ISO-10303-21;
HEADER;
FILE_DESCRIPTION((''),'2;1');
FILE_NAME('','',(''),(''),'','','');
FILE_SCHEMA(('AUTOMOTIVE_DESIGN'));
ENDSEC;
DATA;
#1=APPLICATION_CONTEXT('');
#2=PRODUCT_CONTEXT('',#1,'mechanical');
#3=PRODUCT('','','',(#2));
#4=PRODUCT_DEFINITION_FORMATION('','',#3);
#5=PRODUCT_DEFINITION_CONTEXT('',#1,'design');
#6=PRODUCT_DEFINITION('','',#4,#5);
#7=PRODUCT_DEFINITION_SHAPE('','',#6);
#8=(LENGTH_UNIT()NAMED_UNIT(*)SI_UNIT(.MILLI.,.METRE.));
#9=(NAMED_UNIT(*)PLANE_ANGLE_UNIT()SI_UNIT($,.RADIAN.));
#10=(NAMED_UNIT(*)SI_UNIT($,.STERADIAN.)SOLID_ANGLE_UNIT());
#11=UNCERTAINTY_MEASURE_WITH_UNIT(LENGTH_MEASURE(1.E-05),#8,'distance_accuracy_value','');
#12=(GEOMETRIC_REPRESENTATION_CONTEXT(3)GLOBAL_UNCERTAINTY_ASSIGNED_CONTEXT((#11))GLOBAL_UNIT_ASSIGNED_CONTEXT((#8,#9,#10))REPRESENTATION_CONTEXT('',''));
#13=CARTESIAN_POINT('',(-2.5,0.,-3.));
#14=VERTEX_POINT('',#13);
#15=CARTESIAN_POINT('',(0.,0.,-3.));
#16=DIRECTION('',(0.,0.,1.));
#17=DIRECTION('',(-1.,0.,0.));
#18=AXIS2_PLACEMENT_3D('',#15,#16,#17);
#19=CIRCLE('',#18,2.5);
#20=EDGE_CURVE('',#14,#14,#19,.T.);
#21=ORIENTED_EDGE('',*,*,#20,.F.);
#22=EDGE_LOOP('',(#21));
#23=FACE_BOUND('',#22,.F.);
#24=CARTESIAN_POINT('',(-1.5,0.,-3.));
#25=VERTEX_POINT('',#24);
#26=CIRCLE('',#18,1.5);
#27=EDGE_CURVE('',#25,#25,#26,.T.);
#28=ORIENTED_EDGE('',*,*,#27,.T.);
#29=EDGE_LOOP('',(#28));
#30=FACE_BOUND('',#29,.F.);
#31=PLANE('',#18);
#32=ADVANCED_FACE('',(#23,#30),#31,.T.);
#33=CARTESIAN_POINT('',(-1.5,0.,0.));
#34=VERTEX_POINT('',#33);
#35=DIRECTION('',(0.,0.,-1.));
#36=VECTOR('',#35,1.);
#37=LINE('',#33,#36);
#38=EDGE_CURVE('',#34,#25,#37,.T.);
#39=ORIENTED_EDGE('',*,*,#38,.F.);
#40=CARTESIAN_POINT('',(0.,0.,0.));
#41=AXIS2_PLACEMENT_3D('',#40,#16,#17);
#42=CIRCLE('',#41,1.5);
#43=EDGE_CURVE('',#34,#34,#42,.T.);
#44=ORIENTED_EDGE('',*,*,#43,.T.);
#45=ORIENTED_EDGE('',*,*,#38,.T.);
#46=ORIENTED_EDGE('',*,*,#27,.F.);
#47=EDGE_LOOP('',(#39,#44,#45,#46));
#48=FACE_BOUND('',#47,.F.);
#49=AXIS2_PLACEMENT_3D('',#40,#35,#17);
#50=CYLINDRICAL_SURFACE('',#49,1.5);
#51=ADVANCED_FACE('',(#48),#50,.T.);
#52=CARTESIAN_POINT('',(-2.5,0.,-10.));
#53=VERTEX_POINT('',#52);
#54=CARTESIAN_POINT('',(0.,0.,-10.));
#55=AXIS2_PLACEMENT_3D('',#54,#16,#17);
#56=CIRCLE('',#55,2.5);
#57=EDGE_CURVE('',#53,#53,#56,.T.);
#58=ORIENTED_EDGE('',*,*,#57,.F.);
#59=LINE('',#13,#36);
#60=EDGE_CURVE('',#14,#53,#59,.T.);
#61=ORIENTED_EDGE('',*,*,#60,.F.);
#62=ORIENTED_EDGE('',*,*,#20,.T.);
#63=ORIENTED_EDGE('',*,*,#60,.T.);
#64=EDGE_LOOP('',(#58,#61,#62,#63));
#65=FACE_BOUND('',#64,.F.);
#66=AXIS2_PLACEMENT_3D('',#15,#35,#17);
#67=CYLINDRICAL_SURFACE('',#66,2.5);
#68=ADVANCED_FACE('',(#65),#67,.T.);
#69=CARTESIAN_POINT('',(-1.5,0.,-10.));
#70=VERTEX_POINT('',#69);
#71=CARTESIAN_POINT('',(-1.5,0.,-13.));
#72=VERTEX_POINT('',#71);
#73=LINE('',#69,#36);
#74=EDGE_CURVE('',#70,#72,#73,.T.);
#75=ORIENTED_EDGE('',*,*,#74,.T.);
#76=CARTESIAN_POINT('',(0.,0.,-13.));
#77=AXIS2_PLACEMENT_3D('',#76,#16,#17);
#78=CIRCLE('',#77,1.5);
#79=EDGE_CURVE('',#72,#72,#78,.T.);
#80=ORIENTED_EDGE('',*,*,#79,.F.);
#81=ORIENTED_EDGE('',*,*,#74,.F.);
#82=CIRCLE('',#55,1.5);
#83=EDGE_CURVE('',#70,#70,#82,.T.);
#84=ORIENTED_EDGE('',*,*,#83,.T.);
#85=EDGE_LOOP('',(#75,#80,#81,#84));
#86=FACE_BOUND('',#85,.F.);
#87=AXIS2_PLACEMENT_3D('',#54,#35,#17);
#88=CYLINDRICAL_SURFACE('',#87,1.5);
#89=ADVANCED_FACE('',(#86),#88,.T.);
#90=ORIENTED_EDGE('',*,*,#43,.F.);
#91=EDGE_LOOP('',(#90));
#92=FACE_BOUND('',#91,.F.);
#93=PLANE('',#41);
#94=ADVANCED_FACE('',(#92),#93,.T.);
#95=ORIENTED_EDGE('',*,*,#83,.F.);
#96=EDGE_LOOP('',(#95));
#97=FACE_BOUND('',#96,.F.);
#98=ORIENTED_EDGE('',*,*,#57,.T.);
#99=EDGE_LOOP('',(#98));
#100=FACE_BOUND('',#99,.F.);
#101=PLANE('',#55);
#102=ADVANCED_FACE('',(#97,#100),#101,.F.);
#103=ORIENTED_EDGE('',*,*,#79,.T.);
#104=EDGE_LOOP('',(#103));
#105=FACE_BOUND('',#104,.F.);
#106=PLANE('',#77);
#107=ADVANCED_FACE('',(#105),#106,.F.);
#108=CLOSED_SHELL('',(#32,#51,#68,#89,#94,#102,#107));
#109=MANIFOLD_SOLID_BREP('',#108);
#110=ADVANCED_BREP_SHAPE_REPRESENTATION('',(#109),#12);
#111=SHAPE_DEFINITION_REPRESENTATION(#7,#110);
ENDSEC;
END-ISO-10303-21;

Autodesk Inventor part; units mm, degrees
ref_plane "YZ Plane" through (0, 0, 0) normal (1, 0, 0) x (0, 1, 0)
ref_plane "XZ Plane" through (0, 0, 0) normal (0, 1, 0) x (-1, 0, 0)
ref_plane "XY Plane" through (0, 0, 0) normal (0, 0, 1) x (1, 0, 0)
sketch "Sketch1" plane through (0, 0, 0) normal (0, 1, 0) x (-1, 0, 0)
  line L0 (0, 0) -> (1.5, 0)
  line L1 (1.5, 0) -> (1.5, -3)
  line L2 (1.5, -3) -> (2.5, -3)
  line L3 (2.5, -3) -> (2.5, -10)
  line L4 (2.5, -10) -> (1.5, -10)
  line L5 (1.5, -10) -> (1.5, -13)
  line L6 (1.5, -13) -> (0, -13)
  line L7 (0, -13) -> (0, 0)
  point P0 (1.5, -11.5)
  dimension "d1" = 3
  dimension "d2" = 7
  dimension "d3" = 3
  dimension "d4" = 3
  dimension "d5" = 5
revolve "Revolution1" add sketch "Sketch1" angle 360 about axis through (0, 0, -13) along (0, 0, 1)
properties part number "2063_1"
